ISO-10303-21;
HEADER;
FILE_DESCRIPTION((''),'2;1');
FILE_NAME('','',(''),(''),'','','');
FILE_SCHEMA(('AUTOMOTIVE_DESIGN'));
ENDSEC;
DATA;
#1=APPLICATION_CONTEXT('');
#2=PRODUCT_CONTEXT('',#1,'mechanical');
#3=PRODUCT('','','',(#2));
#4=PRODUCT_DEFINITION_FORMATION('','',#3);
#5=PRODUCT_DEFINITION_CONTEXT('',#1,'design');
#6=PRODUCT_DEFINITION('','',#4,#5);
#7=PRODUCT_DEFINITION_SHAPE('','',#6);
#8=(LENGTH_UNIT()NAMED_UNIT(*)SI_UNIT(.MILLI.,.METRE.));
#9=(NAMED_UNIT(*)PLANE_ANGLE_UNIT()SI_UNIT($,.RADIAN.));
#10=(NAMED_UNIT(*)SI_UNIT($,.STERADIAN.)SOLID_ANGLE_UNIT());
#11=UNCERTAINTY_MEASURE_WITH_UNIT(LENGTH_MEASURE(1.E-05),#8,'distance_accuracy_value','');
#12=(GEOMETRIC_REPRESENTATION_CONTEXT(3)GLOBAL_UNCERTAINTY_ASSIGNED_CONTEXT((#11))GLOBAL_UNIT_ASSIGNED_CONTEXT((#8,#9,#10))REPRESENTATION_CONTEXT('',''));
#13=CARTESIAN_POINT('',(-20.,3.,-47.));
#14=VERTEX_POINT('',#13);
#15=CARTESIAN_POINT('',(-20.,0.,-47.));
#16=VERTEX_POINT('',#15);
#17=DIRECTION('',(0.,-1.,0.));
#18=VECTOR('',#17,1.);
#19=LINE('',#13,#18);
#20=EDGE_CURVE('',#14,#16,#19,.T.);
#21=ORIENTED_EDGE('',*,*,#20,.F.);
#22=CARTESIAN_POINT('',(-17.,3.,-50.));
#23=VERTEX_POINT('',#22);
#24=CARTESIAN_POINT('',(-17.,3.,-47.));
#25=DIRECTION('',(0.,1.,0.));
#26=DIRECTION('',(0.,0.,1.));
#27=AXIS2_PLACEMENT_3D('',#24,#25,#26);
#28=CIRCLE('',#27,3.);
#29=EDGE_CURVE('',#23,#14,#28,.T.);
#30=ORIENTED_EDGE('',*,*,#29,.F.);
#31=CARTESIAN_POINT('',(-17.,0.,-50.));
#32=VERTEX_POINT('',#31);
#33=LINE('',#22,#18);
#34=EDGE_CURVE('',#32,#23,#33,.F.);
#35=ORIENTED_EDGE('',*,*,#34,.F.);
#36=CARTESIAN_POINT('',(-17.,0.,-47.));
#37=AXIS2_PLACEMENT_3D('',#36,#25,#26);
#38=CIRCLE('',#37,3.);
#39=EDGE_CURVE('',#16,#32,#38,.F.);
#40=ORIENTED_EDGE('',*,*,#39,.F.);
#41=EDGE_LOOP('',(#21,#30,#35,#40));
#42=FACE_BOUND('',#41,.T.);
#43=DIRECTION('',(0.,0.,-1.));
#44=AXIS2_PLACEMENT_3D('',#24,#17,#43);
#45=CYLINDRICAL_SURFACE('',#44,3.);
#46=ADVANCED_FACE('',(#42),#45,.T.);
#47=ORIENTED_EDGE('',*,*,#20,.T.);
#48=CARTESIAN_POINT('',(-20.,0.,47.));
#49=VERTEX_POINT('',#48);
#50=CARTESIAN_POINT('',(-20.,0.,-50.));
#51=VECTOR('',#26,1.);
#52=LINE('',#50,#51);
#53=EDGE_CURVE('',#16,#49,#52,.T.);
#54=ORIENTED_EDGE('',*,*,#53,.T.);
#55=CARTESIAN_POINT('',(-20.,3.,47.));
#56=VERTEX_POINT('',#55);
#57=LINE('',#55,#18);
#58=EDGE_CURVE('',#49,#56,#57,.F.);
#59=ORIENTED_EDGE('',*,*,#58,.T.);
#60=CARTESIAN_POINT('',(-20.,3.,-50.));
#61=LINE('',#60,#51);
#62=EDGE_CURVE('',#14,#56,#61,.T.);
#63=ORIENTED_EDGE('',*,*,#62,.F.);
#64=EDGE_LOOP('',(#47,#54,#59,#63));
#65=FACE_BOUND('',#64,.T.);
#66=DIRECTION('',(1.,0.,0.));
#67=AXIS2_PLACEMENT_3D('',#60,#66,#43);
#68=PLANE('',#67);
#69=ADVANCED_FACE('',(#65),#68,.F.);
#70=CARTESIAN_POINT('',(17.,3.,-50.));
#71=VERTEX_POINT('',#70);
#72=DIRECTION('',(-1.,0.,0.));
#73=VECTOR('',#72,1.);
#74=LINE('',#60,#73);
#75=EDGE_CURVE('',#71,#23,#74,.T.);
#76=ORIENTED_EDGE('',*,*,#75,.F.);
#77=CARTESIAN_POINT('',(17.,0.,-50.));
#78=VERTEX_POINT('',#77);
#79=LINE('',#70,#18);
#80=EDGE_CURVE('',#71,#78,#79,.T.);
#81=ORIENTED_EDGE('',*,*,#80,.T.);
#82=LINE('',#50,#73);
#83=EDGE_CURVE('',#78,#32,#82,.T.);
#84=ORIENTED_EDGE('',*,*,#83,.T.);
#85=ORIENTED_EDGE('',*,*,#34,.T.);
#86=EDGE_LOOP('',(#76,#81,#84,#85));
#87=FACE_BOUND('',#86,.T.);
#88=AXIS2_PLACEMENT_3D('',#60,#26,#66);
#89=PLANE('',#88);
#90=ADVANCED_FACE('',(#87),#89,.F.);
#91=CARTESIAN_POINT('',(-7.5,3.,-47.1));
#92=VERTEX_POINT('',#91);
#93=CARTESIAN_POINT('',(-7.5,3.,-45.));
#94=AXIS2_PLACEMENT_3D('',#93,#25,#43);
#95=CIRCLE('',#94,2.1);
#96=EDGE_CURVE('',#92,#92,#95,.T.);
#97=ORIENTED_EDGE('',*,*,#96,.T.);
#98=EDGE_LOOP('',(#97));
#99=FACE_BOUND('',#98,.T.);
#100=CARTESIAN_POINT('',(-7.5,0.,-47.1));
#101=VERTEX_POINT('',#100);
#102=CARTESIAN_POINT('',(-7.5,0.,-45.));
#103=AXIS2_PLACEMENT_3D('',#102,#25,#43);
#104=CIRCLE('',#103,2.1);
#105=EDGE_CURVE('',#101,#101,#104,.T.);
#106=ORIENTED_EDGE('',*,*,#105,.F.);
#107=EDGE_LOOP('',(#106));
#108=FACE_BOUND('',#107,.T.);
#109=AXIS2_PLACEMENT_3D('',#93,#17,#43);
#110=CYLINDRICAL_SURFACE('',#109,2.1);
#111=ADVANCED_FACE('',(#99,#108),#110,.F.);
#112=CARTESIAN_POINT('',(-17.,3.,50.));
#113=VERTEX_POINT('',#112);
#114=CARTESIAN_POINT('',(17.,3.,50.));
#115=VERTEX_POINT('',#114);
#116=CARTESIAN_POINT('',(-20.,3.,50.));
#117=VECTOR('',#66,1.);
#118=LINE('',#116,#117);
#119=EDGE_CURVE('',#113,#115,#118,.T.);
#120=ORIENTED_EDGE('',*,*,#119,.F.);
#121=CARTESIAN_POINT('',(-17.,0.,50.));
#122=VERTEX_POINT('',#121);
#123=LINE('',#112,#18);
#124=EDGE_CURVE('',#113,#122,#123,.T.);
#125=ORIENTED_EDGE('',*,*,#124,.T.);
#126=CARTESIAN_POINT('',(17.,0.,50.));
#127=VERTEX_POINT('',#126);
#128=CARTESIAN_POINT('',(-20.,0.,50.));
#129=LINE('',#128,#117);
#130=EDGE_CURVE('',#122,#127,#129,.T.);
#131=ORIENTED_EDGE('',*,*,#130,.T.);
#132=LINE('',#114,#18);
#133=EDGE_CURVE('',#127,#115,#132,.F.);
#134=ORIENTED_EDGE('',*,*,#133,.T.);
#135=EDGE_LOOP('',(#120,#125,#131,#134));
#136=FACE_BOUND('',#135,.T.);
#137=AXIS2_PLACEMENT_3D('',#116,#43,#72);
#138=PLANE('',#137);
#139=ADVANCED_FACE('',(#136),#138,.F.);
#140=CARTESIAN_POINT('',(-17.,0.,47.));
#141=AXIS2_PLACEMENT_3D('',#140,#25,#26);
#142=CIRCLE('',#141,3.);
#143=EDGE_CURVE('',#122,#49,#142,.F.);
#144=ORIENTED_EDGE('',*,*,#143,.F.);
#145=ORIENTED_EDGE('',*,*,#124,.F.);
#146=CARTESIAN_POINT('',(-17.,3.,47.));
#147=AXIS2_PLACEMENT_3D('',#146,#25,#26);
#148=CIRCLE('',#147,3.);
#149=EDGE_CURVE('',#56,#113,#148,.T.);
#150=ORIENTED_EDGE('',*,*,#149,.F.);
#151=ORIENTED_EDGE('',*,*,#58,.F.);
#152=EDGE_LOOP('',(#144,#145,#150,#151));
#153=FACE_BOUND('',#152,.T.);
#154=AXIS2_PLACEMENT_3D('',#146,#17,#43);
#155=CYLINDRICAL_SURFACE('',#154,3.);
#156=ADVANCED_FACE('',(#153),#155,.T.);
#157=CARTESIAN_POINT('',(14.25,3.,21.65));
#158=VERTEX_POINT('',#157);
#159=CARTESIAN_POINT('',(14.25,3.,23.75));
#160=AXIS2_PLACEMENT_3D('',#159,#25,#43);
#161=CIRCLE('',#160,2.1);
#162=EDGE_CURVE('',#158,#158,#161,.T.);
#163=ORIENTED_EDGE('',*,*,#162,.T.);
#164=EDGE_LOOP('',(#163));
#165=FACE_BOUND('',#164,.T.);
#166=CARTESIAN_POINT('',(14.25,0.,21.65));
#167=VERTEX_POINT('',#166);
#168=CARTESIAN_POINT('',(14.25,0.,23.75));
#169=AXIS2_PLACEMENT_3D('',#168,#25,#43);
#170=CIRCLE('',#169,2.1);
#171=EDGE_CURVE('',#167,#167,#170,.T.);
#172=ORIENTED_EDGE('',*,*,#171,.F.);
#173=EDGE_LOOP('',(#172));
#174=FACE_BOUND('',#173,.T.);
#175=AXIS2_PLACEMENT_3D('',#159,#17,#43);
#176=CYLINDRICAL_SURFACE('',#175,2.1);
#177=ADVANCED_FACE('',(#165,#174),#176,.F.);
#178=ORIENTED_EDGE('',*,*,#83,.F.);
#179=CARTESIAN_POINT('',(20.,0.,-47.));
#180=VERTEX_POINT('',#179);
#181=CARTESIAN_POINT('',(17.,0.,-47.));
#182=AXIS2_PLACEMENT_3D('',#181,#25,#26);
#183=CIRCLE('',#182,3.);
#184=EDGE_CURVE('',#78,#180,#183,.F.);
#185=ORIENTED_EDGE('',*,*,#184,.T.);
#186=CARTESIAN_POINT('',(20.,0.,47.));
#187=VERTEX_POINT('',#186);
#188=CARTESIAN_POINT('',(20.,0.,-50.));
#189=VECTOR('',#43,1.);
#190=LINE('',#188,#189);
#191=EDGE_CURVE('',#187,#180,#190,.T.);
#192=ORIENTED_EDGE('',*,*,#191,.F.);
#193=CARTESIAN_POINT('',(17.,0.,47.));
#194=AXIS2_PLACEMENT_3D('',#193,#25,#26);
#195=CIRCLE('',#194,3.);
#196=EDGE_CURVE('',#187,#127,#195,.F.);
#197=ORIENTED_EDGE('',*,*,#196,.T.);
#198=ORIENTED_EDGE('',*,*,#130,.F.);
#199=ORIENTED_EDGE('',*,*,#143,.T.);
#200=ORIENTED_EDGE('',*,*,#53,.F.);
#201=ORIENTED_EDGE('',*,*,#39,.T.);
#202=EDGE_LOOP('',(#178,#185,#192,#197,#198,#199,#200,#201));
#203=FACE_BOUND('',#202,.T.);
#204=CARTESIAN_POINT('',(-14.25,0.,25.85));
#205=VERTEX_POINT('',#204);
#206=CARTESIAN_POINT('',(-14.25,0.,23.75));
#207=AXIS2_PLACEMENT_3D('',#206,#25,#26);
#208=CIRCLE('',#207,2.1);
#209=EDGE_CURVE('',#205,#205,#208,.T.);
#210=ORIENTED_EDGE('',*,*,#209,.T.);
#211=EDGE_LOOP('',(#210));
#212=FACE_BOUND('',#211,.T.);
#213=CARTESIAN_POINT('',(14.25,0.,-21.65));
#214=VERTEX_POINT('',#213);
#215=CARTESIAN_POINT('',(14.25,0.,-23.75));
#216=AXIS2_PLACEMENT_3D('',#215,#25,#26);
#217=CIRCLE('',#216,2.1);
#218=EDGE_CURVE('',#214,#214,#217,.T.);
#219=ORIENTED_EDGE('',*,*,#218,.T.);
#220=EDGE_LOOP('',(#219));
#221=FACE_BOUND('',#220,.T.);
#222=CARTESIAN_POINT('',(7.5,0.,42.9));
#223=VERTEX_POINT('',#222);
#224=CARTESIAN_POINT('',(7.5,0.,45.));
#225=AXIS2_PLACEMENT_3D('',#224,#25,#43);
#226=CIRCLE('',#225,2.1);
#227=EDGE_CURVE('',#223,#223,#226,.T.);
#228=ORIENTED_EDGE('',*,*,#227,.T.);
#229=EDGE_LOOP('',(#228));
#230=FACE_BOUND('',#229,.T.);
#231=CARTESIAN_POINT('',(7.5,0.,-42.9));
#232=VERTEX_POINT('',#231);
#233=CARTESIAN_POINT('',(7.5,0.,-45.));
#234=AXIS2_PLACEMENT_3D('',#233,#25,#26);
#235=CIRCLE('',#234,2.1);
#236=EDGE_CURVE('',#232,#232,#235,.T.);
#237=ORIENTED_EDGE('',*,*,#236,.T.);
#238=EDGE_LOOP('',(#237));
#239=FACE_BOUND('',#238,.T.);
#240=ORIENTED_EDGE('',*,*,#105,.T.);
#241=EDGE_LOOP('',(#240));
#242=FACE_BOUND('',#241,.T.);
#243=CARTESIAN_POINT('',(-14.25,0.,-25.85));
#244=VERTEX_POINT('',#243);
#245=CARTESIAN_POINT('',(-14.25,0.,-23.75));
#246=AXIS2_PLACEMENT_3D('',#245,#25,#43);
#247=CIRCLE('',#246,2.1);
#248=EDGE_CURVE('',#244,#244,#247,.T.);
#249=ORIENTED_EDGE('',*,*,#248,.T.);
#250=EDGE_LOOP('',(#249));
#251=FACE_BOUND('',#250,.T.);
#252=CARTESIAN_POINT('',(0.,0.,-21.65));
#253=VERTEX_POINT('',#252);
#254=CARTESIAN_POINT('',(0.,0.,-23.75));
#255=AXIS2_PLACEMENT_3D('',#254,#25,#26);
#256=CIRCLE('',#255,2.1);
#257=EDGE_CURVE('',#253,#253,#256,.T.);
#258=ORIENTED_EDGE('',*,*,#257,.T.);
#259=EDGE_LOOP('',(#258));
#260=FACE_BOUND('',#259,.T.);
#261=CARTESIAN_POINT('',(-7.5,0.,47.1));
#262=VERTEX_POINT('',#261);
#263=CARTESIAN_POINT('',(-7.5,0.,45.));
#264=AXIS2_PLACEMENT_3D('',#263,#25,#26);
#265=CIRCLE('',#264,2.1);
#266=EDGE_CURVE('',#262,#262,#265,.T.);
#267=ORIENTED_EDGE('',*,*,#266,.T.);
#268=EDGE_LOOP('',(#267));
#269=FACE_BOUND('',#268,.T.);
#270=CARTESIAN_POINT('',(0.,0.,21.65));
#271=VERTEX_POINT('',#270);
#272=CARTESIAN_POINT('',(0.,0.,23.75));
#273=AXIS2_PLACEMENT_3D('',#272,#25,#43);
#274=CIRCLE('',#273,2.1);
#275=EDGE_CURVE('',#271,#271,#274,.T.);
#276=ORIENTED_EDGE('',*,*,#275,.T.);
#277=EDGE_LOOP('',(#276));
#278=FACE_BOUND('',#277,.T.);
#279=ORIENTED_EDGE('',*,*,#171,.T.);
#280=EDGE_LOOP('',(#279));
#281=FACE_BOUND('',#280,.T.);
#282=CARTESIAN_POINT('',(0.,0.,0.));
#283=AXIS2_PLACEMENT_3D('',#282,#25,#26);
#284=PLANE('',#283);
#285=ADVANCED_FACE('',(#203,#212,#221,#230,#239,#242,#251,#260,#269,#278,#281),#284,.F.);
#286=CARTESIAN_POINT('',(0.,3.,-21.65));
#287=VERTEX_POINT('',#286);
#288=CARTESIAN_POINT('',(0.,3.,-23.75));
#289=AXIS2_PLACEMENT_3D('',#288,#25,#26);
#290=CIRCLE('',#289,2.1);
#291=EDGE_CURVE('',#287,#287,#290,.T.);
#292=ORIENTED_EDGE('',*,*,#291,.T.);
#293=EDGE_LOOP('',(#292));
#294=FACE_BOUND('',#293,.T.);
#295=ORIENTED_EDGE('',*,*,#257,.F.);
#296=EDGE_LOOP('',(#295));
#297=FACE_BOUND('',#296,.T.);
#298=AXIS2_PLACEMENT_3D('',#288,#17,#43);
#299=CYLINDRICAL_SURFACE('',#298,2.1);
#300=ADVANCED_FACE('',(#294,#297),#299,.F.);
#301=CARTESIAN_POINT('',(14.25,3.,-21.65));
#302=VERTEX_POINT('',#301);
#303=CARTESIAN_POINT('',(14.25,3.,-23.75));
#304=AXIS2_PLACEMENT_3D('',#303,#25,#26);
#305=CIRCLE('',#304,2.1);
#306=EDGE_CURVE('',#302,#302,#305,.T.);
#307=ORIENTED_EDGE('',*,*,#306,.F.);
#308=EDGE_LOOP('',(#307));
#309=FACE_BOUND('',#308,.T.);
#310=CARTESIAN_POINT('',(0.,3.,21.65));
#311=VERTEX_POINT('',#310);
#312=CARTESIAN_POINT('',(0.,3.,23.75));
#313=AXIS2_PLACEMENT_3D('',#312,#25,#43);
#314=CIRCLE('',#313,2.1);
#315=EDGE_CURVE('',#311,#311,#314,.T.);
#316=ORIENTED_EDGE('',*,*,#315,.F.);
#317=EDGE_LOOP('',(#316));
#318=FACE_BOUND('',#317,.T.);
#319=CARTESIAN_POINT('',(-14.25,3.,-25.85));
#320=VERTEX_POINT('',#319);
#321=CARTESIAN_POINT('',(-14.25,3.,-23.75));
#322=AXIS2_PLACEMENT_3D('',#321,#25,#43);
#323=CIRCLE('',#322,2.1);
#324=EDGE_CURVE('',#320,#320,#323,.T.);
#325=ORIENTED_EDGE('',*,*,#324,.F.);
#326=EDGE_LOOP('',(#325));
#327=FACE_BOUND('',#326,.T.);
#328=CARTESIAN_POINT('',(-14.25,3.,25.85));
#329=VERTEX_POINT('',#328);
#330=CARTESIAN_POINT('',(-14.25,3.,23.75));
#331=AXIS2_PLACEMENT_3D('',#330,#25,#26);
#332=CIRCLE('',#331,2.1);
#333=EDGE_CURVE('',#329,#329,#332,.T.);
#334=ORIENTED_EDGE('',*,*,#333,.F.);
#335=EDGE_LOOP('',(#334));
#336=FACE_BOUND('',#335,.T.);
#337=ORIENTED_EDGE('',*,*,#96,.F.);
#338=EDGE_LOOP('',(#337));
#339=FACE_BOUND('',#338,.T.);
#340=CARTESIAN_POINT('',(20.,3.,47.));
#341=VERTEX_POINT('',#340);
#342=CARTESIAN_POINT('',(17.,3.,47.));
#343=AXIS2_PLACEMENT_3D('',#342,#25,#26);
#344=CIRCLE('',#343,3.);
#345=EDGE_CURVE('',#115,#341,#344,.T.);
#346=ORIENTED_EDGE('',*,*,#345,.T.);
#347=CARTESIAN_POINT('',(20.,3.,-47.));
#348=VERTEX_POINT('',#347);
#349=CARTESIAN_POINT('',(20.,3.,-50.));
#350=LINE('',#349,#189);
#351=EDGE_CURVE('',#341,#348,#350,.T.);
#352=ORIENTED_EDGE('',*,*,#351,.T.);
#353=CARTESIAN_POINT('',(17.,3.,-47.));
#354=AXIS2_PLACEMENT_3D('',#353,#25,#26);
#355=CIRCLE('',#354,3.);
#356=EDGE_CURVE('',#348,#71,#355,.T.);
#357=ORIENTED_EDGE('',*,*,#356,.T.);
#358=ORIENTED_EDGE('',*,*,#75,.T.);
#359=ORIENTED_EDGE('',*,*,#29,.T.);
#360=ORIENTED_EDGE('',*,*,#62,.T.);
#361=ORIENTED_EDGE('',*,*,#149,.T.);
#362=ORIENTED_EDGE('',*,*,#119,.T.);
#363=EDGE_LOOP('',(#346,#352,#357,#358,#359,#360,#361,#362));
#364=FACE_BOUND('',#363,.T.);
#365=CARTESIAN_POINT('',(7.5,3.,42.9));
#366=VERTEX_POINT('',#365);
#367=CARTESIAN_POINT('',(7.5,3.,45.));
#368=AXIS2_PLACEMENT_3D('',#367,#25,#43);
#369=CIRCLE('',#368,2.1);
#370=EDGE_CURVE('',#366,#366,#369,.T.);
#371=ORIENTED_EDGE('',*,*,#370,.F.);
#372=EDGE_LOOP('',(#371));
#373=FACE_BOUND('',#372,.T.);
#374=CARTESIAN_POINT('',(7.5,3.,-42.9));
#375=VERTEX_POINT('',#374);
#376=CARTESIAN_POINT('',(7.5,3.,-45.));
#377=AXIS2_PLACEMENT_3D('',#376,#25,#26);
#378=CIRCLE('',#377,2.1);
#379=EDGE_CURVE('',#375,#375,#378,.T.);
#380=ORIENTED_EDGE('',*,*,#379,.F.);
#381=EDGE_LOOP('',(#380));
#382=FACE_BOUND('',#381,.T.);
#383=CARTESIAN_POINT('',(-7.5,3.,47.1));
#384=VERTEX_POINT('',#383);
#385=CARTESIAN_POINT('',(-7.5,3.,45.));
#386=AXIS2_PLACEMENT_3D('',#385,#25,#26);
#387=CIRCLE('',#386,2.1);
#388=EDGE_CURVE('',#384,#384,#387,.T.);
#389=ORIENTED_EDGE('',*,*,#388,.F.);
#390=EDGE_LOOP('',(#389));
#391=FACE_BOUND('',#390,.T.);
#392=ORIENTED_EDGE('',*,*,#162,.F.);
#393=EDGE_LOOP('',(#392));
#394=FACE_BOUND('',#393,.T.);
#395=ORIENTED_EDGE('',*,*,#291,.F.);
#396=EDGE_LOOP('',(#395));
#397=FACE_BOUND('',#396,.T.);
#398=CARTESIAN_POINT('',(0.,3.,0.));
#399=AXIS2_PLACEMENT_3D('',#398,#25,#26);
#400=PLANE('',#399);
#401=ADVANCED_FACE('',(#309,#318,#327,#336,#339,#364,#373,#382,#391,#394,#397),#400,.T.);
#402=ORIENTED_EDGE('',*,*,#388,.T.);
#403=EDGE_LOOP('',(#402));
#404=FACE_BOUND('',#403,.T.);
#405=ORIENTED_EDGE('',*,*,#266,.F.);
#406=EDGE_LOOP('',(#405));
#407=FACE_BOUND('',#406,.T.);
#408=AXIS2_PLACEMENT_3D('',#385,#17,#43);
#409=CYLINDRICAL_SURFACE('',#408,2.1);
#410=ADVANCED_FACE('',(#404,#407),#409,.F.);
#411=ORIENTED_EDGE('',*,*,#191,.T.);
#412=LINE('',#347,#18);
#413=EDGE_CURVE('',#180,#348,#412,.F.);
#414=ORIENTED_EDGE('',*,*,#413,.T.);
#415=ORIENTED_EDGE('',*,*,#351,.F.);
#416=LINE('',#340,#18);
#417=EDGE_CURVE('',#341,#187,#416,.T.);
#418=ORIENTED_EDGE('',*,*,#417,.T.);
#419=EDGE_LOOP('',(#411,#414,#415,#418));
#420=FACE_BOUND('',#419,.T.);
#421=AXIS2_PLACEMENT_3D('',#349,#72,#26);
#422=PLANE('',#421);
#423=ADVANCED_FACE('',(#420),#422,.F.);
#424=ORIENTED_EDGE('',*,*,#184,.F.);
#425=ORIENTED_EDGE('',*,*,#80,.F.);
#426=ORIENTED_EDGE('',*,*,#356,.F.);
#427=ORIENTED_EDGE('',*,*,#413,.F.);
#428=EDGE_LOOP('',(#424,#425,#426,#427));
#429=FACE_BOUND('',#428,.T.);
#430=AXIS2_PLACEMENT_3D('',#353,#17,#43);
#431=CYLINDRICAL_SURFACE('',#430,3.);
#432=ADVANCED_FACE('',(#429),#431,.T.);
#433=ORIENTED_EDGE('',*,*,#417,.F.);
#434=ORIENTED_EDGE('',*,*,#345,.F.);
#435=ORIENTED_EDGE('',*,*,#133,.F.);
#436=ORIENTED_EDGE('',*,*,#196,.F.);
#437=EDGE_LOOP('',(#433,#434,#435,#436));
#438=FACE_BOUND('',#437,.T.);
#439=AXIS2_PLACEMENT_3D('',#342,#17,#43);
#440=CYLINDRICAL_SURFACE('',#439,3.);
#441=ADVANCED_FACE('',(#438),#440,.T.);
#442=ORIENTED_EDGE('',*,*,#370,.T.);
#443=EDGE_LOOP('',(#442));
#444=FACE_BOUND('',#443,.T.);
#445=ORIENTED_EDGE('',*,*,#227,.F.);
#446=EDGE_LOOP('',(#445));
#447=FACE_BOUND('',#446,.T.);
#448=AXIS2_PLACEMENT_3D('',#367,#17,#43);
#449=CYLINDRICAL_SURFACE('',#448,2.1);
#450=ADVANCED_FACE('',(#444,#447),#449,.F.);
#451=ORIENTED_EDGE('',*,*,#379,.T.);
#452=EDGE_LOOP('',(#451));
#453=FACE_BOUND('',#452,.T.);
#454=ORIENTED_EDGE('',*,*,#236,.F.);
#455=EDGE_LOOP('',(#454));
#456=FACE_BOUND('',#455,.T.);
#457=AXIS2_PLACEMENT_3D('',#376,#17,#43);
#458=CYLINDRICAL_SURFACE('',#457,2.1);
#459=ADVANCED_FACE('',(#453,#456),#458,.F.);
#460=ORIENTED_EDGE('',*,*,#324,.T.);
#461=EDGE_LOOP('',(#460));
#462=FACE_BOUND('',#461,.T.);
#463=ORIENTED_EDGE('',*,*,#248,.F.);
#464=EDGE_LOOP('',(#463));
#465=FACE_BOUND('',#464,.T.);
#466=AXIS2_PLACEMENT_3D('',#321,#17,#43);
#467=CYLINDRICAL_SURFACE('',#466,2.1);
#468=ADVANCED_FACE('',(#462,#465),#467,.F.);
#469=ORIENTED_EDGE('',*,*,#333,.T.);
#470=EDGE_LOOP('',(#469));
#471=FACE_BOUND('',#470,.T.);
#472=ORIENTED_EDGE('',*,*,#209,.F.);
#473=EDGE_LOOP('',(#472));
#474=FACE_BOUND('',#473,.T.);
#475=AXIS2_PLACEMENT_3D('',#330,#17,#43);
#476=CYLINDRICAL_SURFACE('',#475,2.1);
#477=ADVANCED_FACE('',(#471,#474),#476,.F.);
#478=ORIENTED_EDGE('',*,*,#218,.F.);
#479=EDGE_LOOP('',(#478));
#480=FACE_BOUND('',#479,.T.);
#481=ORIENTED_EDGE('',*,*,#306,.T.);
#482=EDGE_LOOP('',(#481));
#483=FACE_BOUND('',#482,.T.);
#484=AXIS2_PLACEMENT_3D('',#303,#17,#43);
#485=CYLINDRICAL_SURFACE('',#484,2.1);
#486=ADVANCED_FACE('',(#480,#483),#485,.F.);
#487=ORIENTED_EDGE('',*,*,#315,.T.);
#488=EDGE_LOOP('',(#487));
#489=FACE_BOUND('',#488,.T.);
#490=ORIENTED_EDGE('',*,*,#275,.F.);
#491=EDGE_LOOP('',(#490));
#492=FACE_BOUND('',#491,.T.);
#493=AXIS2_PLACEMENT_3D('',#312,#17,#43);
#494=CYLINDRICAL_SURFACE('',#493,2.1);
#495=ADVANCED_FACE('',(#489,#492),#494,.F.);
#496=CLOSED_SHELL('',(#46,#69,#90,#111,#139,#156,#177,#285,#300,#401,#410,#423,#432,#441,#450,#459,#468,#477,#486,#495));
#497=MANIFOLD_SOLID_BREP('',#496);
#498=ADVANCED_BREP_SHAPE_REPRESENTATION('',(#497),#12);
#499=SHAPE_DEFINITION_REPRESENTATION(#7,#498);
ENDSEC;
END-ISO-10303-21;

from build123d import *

# Parameters (mm, degrees)
SKETCH_1_W      = 40
SKETCH_1_H      = 100
SKETCH_1_R      = 2.1
EXTRUDE_1_DEPTH = 3
FILLET_1_R      = 3


with BuildPart() as part:
    # ｽｹｯﾁ1 → ﾎﾞｽ - 押し出し1 (new body)
    with BuildSketch(Plane(origin=(0, 0, 0), x_dir=(1, 0, 0), z_dir=(0, 1, 0))):
        Rectangle(SKETCH_1_W, SKETCH_1_H)
        with Locations(Location((14.25, 23.75, 0), (0, 0, 270))):
            Circle(SKETCH_1_R, mode=Mode.SUBTRACT)
        with Locations(Location((-14.25, 23.75, 0), (0, 0, 90))):
            Circle(SKETCH_1_R, mode=Mode.SUBTRACT)
        with Locations(Location((-14.25, -23.75, 0), (0, 0, 270))):
            Circle(SKETCH_1_R, mode=Mode.SUBTRACT)
        with Locations(Location((14.25, -23.75, 0), (0, 0, 90))):
            Circle(SKETCH_1_R, mode=Mode.SUBTRACT)
        with Locations(Location((7.5, 45, 0), (0, 0, 270))):
            Circle(SKETCH_1_R, mode=Mode.SUBTRACT)
        with Locations(Location((-7.5, 45, 0), (0, 0, 90))):
            Circle(SKETCH_1_R, mode=Mode.SUBTRACT)
        with Locations(Location((-7.5, -45, 0), (0, 0, 270))):
            Circle(SKETCH_1_R, mode=Mode.SUBTRACT)
        with Locations(Location((7.5, -45, 0), (0, 0, 90))):
            Circle(SKETCH_1_R, mode=Mode.SUBTRACT)
        with Locations(Location((0, 23.75, 0), (0, 0, 270))):
            Circle(SKETCH_1_R, mode=Mode.SUBTRACT)
        with Locations(Location((0, -23.75, 0), (0, 0, 90))):
            Circle(SKETCH_1_R, mode=Mode.SUBTRACT)
    extrude(amount=EXTRUDE_1_DEPTH)

    # ﾌｨﾚｯﾄ1
    fillet_1_edges = [part.edges().sort_by_distance(p)[0] for p in [
        (20, 1.5, 50),
        (-20, 1.5, 50),
        (-20, 1.5, -50),
        (20, 1.5, -50),
    ]]
    fillet(fillet_1_edges, radius=FILLET_1_R)


solid = part.part
